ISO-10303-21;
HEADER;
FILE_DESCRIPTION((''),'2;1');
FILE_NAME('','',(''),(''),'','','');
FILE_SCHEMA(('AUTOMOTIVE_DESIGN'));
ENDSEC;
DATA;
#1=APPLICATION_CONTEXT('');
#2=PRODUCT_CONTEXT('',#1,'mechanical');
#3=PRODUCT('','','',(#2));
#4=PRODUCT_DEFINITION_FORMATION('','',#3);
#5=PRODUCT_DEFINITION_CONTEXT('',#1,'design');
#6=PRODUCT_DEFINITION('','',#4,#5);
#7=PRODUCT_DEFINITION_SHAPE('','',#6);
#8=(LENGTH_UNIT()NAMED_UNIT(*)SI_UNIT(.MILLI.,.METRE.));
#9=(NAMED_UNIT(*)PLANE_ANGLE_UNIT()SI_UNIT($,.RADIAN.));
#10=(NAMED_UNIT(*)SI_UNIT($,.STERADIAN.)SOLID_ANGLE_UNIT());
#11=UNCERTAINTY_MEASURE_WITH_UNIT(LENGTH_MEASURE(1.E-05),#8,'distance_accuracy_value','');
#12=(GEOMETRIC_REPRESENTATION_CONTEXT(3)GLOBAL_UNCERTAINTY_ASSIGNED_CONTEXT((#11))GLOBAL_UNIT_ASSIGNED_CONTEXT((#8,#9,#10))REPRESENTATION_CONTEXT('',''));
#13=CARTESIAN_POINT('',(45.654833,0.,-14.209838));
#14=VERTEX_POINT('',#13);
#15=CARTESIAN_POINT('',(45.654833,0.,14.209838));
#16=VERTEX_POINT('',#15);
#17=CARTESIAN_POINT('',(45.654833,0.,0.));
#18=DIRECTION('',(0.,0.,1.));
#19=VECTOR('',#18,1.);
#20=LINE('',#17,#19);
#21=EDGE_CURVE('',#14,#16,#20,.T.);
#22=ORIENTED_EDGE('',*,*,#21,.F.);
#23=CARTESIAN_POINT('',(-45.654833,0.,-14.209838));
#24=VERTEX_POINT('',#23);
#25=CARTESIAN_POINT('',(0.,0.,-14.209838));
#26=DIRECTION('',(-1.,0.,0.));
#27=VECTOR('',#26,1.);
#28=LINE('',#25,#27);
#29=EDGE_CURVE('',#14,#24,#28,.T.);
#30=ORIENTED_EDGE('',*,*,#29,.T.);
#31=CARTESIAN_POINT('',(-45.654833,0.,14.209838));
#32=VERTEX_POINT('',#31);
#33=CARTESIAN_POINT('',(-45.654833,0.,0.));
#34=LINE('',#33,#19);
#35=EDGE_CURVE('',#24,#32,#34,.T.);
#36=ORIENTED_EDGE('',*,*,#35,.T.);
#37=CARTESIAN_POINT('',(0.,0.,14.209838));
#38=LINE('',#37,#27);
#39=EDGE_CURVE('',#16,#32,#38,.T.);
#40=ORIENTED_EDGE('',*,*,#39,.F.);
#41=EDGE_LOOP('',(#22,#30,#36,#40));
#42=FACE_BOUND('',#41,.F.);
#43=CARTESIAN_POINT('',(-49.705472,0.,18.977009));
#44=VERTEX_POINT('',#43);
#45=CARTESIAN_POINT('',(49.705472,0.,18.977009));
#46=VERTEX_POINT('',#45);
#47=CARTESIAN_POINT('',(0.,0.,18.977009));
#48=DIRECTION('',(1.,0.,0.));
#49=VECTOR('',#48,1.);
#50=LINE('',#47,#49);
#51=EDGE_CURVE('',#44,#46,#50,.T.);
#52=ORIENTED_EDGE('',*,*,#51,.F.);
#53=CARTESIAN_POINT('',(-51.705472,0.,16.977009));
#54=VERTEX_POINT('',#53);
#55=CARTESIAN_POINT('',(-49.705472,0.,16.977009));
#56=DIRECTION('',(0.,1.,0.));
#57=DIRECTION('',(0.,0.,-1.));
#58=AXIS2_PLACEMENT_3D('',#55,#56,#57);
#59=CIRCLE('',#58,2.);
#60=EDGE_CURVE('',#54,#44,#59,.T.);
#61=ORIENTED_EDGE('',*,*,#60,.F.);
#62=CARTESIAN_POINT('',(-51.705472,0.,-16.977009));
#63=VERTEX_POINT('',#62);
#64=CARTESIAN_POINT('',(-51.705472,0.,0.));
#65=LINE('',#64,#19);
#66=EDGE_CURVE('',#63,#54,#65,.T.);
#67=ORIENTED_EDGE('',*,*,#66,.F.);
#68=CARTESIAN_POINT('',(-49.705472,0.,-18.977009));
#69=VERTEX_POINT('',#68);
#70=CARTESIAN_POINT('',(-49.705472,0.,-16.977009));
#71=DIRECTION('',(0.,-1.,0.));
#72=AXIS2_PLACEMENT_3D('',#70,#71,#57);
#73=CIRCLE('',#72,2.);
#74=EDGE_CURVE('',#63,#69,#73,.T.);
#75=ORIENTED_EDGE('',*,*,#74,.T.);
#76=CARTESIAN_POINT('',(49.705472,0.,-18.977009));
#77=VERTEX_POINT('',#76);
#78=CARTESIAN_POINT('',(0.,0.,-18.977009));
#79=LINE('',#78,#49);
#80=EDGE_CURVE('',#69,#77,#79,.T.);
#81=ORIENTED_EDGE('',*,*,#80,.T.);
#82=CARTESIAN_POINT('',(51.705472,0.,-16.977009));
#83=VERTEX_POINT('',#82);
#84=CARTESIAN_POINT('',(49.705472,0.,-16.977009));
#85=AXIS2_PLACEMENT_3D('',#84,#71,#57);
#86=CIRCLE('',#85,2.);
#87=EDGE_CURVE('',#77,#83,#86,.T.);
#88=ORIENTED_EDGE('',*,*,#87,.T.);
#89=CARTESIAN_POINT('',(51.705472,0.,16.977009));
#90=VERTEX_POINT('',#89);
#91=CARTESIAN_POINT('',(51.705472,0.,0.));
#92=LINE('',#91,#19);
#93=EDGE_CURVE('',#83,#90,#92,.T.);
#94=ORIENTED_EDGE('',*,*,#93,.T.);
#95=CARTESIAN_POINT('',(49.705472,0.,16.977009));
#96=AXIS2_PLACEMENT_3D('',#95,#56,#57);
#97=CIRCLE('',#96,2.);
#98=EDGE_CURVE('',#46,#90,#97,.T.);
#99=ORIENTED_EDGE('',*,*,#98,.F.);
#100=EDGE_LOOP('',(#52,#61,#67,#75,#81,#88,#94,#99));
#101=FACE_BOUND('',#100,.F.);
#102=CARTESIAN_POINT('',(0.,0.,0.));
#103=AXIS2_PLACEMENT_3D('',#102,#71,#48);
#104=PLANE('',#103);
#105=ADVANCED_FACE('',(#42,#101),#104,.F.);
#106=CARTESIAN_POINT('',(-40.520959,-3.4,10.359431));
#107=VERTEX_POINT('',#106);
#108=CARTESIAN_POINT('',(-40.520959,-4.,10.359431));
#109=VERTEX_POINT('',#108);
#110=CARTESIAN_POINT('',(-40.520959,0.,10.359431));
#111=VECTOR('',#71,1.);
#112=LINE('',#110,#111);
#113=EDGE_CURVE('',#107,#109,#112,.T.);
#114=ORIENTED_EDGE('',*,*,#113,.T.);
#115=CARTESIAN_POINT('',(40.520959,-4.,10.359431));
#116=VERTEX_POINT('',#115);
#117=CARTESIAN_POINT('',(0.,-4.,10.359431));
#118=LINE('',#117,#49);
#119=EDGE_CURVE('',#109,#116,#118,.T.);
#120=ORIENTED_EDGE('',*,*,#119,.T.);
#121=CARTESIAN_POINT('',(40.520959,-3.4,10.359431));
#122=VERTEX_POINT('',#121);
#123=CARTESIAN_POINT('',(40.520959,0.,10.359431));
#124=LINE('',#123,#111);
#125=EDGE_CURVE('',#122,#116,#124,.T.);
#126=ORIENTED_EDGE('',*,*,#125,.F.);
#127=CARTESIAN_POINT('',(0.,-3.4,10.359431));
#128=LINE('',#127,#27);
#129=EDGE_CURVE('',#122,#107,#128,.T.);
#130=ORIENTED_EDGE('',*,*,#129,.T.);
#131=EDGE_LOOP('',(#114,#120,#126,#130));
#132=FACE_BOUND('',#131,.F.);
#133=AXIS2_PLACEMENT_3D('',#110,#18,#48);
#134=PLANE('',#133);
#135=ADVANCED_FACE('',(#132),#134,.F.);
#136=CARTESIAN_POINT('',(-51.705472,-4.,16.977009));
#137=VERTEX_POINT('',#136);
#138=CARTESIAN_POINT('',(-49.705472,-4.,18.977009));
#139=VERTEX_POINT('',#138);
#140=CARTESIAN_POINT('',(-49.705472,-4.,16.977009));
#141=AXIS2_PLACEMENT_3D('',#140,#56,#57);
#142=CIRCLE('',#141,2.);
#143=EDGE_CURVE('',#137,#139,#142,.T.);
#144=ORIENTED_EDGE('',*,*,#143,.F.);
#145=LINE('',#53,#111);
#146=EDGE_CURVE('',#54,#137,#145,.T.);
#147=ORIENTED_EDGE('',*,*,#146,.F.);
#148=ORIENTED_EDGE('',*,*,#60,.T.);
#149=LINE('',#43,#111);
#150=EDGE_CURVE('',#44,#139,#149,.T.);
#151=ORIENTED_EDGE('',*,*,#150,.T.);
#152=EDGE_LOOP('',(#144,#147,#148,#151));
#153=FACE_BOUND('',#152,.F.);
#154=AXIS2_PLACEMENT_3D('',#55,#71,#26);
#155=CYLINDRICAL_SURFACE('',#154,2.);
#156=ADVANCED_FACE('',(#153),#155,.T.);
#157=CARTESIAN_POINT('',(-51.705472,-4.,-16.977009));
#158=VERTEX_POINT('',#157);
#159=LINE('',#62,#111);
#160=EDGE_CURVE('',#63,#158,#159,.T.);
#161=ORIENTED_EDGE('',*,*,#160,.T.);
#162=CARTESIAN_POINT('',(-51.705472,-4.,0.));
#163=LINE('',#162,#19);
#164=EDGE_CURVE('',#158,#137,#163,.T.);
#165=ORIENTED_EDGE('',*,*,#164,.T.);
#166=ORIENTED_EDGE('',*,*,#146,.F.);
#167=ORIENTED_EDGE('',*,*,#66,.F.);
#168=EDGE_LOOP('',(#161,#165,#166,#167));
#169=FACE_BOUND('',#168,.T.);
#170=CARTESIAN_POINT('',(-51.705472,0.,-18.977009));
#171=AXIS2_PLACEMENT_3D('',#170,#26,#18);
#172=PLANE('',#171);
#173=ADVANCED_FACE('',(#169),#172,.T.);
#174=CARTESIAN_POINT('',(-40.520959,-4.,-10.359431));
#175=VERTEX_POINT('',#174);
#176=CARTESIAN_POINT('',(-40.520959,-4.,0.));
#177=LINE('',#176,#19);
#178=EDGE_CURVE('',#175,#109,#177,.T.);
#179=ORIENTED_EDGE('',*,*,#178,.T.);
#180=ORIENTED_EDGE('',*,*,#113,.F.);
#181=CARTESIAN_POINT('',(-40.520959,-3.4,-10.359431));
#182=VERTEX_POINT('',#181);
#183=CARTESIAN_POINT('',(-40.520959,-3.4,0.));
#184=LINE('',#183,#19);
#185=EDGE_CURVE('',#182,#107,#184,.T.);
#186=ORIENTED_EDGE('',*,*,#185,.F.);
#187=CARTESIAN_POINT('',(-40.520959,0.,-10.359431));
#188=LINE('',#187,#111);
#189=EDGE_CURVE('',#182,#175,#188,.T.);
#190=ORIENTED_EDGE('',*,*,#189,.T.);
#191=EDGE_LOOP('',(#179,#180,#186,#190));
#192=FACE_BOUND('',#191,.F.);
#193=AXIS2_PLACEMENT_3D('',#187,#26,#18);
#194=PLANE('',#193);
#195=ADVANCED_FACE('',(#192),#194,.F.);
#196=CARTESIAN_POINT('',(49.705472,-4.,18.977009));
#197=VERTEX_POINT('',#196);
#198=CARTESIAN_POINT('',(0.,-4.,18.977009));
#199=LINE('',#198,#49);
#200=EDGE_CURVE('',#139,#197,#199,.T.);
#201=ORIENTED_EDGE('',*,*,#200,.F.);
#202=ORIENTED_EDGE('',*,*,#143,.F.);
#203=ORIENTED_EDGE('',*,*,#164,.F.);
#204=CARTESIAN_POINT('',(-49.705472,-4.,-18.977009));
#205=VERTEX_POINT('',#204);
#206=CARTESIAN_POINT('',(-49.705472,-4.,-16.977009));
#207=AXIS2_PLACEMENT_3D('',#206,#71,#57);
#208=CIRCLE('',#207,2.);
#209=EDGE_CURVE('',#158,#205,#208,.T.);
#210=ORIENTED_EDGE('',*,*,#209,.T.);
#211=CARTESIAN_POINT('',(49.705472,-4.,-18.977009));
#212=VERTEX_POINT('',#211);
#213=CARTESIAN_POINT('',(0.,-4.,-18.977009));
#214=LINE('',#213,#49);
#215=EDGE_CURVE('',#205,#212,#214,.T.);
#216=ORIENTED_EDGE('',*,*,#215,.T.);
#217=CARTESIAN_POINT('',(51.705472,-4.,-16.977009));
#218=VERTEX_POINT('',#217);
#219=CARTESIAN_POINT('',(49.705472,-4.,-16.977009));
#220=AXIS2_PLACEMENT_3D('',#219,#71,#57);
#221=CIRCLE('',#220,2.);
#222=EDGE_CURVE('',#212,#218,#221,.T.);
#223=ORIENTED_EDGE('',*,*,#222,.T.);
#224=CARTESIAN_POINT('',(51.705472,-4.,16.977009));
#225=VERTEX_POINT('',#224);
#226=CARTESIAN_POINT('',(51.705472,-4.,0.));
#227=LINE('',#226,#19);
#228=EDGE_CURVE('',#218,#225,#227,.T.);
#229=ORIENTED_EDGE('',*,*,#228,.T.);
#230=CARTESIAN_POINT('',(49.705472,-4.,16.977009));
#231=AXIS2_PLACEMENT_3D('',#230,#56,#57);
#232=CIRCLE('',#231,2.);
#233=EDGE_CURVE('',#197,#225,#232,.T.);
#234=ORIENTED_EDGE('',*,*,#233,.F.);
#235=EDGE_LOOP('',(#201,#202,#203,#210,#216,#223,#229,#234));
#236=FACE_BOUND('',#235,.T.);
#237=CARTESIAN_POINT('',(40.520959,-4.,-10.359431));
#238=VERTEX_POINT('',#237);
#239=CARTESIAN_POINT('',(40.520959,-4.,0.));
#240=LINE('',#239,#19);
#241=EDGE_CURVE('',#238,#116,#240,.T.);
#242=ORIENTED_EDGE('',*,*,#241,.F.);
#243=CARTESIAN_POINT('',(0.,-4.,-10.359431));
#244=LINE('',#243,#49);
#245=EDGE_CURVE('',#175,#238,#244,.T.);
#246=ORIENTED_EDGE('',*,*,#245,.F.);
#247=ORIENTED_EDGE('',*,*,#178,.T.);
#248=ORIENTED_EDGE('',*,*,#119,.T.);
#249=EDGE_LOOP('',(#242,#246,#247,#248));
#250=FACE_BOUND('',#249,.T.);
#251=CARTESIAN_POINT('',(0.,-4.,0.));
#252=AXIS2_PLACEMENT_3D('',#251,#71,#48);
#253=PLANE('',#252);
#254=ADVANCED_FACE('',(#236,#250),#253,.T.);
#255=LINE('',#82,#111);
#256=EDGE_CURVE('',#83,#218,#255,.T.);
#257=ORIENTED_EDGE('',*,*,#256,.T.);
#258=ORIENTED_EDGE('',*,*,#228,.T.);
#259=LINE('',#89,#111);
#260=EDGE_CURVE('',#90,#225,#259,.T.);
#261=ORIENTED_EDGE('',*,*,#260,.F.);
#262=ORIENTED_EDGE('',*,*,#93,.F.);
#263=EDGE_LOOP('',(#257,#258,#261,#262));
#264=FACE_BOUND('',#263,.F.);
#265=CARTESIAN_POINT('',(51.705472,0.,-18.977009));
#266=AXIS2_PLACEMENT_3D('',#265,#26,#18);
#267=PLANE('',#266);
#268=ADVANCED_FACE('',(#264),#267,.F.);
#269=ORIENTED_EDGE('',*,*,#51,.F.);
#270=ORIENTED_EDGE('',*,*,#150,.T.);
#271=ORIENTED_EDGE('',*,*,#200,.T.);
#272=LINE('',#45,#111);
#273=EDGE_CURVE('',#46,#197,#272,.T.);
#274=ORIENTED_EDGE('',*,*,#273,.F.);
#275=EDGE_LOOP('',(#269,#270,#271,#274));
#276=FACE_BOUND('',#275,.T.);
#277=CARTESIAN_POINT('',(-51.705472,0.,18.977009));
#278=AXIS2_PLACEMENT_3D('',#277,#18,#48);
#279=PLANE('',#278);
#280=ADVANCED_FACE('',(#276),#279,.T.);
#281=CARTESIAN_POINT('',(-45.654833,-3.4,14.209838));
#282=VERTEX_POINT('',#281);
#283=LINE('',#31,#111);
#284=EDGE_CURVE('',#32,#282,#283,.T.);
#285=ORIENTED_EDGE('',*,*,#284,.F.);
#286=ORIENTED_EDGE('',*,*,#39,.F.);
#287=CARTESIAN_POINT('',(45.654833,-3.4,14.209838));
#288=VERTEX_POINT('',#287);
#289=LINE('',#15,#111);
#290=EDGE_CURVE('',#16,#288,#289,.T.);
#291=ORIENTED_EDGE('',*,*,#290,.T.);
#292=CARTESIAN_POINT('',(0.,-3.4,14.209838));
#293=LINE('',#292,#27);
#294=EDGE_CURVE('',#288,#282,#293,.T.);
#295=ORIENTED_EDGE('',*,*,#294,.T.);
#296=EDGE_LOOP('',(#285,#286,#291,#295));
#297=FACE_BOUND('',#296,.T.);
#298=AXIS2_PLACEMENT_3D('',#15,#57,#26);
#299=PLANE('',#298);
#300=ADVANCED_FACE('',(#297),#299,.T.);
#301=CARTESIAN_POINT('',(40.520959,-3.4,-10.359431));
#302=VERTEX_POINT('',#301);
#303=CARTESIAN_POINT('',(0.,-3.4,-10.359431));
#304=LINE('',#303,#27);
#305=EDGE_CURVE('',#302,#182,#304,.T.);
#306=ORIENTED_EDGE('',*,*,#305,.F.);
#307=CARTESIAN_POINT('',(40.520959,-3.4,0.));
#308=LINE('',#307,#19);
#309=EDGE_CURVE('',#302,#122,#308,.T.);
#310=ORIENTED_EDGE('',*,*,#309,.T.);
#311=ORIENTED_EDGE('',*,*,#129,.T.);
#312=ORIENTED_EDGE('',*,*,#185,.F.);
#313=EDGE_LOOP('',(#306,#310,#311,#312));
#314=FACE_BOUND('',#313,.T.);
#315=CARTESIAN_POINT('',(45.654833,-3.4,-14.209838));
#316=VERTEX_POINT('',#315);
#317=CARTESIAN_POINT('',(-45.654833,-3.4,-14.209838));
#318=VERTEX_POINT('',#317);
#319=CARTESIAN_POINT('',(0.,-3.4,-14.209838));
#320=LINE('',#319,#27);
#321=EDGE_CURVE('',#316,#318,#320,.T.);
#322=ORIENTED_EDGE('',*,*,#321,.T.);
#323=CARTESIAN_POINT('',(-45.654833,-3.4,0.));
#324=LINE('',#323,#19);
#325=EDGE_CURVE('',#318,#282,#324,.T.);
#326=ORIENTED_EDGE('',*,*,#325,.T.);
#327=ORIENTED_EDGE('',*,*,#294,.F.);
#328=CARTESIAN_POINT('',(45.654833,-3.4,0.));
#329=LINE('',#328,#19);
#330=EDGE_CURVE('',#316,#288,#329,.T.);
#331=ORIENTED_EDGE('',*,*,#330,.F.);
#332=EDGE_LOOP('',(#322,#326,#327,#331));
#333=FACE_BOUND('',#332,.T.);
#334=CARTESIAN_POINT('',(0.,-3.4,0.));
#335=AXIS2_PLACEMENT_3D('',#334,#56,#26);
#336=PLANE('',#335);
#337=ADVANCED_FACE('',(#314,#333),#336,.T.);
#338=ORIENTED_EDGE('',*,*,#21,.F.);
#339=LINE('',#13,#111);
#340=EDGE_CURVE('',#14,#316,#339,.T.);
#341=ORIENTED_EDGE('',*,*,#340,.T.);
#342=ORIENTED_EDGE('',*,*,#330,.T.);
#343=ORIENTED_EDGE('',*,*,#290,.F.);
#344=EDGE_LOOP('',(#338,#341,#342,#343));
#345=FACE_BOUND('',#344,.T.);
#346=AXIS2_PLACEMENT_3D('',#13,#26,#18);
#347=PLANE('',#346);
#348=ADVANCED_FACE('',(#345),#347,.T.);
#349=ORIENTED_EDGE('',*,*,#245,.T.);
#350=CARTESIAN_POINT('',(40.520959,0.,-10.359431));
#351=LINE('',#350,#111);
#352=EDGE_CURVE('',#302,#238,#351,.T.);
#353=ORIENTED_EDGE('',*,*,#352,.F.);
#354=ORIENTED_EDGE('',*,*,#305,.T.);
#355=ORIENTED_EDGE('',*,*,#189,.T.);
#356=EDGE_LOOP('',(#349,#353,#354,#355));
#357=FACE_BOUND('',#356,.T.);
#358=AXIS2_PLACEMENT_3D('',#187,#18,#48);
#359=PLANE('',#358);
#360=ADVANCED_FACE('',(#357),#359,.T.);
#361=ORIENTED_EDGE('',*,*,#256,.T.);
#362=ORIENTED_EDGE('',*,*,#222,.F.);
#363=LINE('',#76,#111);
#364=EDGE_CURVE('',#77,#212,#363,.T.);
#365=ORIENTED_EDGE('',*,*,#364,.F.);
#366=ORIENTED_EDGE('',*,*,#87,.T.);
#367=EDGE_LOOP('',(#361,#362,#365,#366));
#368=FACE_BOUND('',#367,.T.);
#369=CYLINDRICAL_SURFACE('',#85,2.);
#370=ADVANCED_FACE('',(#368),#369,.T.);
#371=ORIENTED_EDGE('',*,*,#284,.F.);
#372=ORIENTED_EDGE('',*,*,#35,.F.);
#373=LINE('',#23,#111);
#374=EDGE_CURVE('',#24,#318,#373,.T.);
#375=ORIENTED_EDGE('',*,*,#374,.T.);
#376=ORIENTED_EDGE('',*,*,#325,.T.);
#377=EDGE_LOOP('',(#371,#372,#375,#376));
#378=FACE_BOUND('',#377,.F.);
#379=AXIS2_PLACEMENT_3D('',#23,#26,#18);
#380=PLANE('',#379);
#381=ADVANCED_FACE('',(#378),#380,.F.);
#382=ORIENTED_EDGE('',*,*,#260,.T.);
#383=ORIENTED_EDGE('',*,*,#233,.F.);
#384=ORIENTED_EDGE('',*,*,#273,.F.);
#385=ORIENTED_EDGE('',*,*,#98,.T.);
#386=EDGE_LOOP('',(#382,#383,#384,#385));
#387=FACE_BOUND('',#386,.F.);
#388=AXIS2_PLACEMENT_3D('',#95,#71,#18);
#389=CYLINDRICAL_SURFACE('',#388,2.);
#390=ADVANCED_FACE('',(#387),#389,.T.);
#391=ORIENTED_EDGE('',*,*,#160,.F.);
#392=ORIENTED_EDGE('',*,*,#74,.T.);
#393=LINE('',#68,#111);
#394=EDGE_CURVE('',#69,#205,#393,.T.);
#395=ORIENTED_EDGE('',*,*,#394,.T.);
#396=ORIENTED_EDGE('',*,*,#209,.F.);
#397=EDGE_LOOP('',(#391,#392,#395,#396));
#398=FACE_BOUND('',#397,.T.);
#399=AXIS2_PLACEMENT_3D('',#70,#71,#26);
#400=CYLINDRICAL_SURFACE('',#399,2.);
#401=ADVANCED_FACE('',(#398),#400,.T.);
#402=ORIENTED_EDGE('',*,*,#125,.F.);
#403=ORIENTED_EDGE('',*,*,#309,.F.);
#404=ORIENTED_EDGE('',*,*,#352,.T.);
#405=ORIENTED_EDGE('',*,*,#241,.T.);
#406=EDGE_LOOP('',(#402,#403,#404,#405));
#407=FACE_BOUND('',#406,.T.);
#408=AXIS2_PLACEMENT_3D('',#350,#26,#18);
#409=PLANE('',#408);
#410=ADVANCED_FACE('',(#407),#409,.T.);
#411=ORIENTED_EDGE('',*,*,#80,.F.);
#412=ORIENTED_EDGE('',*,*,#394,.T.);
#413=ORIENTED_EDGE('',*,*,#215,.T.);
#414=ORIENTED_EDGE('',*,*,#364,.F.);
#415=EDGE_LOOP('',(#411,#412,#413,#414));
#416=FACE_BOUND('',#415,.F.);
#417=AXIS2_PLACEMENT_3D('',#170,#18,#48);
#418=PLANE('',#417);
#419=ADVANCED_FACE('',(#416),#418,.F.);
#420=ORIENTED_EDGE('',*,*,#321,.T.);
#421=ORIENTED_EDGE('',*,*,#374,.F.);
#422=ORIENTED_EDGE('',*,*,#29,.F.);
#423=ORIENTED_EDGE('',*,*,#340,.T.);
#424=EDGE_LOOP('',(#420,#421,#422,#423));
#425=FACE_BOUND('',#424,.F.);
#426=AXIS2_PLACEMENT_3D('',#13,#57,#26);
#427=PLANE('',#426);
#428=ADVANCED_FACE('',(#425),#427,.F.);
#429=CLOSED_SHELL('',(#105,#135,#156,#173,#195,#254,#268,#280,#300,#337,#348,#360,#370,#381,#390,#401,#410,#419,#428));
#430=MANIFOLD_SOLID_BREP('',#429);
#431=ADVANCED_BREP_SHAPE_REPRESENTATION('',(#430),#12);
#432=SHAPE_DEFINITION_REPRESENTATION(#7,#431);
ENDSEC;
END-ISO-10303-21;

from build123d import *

# Parameters (mm, degrees)
F0_W     = 103.410944
F0_H     = 37.954018
F0_W_2   = 81.041918
F0_H_2   = 20.718862
F1_DEPTH = 4
F2_W     = 91.309666
F2_H     = 28.419676
F2_W_2   = 81.041918
F2_H_2   = 20.718862
F3_DEPTH = 3.4
F4_R     = 2


with BuildPart() as f1:
    # F0 (on Front) → F1 (new body)
    with BuildSketch(Plane.XZ):
        Rectangle(F0_W, F0_H)
        Rectangle(F0_W_2, F0_H_2, mode=Mode.SUBTRACT)
    extrude(amount=F1_DEPTH)

    # F2 (on face) → F3 (cut)
    with BuildSketch(Plane(origin=(0, 0, 0), x_dir=(-1, 0, 0), z_dir=(0, 1, 0))):
        Rectangle(F2_W, F2_H)
        Rectangle(F2_W_2, F2_H_2, mode=Mode.SUBTRACT)
    extrude(amount=-F3_DEPTH, mode=Mode.SUBTRACT)

    # F4
    f4_edges = [f1.edges().sort_by_distance(p)[0] for p in [
        (-51.705472, -2, 18.977009),
        (51.705472, -2, 18.977009),
        (51.705472, -2, -18.977009),
        (-51.705472, -2, -18.977009),
    ]]
    fillet(f4_edges, radius=F4_R)


solid = f1.part
